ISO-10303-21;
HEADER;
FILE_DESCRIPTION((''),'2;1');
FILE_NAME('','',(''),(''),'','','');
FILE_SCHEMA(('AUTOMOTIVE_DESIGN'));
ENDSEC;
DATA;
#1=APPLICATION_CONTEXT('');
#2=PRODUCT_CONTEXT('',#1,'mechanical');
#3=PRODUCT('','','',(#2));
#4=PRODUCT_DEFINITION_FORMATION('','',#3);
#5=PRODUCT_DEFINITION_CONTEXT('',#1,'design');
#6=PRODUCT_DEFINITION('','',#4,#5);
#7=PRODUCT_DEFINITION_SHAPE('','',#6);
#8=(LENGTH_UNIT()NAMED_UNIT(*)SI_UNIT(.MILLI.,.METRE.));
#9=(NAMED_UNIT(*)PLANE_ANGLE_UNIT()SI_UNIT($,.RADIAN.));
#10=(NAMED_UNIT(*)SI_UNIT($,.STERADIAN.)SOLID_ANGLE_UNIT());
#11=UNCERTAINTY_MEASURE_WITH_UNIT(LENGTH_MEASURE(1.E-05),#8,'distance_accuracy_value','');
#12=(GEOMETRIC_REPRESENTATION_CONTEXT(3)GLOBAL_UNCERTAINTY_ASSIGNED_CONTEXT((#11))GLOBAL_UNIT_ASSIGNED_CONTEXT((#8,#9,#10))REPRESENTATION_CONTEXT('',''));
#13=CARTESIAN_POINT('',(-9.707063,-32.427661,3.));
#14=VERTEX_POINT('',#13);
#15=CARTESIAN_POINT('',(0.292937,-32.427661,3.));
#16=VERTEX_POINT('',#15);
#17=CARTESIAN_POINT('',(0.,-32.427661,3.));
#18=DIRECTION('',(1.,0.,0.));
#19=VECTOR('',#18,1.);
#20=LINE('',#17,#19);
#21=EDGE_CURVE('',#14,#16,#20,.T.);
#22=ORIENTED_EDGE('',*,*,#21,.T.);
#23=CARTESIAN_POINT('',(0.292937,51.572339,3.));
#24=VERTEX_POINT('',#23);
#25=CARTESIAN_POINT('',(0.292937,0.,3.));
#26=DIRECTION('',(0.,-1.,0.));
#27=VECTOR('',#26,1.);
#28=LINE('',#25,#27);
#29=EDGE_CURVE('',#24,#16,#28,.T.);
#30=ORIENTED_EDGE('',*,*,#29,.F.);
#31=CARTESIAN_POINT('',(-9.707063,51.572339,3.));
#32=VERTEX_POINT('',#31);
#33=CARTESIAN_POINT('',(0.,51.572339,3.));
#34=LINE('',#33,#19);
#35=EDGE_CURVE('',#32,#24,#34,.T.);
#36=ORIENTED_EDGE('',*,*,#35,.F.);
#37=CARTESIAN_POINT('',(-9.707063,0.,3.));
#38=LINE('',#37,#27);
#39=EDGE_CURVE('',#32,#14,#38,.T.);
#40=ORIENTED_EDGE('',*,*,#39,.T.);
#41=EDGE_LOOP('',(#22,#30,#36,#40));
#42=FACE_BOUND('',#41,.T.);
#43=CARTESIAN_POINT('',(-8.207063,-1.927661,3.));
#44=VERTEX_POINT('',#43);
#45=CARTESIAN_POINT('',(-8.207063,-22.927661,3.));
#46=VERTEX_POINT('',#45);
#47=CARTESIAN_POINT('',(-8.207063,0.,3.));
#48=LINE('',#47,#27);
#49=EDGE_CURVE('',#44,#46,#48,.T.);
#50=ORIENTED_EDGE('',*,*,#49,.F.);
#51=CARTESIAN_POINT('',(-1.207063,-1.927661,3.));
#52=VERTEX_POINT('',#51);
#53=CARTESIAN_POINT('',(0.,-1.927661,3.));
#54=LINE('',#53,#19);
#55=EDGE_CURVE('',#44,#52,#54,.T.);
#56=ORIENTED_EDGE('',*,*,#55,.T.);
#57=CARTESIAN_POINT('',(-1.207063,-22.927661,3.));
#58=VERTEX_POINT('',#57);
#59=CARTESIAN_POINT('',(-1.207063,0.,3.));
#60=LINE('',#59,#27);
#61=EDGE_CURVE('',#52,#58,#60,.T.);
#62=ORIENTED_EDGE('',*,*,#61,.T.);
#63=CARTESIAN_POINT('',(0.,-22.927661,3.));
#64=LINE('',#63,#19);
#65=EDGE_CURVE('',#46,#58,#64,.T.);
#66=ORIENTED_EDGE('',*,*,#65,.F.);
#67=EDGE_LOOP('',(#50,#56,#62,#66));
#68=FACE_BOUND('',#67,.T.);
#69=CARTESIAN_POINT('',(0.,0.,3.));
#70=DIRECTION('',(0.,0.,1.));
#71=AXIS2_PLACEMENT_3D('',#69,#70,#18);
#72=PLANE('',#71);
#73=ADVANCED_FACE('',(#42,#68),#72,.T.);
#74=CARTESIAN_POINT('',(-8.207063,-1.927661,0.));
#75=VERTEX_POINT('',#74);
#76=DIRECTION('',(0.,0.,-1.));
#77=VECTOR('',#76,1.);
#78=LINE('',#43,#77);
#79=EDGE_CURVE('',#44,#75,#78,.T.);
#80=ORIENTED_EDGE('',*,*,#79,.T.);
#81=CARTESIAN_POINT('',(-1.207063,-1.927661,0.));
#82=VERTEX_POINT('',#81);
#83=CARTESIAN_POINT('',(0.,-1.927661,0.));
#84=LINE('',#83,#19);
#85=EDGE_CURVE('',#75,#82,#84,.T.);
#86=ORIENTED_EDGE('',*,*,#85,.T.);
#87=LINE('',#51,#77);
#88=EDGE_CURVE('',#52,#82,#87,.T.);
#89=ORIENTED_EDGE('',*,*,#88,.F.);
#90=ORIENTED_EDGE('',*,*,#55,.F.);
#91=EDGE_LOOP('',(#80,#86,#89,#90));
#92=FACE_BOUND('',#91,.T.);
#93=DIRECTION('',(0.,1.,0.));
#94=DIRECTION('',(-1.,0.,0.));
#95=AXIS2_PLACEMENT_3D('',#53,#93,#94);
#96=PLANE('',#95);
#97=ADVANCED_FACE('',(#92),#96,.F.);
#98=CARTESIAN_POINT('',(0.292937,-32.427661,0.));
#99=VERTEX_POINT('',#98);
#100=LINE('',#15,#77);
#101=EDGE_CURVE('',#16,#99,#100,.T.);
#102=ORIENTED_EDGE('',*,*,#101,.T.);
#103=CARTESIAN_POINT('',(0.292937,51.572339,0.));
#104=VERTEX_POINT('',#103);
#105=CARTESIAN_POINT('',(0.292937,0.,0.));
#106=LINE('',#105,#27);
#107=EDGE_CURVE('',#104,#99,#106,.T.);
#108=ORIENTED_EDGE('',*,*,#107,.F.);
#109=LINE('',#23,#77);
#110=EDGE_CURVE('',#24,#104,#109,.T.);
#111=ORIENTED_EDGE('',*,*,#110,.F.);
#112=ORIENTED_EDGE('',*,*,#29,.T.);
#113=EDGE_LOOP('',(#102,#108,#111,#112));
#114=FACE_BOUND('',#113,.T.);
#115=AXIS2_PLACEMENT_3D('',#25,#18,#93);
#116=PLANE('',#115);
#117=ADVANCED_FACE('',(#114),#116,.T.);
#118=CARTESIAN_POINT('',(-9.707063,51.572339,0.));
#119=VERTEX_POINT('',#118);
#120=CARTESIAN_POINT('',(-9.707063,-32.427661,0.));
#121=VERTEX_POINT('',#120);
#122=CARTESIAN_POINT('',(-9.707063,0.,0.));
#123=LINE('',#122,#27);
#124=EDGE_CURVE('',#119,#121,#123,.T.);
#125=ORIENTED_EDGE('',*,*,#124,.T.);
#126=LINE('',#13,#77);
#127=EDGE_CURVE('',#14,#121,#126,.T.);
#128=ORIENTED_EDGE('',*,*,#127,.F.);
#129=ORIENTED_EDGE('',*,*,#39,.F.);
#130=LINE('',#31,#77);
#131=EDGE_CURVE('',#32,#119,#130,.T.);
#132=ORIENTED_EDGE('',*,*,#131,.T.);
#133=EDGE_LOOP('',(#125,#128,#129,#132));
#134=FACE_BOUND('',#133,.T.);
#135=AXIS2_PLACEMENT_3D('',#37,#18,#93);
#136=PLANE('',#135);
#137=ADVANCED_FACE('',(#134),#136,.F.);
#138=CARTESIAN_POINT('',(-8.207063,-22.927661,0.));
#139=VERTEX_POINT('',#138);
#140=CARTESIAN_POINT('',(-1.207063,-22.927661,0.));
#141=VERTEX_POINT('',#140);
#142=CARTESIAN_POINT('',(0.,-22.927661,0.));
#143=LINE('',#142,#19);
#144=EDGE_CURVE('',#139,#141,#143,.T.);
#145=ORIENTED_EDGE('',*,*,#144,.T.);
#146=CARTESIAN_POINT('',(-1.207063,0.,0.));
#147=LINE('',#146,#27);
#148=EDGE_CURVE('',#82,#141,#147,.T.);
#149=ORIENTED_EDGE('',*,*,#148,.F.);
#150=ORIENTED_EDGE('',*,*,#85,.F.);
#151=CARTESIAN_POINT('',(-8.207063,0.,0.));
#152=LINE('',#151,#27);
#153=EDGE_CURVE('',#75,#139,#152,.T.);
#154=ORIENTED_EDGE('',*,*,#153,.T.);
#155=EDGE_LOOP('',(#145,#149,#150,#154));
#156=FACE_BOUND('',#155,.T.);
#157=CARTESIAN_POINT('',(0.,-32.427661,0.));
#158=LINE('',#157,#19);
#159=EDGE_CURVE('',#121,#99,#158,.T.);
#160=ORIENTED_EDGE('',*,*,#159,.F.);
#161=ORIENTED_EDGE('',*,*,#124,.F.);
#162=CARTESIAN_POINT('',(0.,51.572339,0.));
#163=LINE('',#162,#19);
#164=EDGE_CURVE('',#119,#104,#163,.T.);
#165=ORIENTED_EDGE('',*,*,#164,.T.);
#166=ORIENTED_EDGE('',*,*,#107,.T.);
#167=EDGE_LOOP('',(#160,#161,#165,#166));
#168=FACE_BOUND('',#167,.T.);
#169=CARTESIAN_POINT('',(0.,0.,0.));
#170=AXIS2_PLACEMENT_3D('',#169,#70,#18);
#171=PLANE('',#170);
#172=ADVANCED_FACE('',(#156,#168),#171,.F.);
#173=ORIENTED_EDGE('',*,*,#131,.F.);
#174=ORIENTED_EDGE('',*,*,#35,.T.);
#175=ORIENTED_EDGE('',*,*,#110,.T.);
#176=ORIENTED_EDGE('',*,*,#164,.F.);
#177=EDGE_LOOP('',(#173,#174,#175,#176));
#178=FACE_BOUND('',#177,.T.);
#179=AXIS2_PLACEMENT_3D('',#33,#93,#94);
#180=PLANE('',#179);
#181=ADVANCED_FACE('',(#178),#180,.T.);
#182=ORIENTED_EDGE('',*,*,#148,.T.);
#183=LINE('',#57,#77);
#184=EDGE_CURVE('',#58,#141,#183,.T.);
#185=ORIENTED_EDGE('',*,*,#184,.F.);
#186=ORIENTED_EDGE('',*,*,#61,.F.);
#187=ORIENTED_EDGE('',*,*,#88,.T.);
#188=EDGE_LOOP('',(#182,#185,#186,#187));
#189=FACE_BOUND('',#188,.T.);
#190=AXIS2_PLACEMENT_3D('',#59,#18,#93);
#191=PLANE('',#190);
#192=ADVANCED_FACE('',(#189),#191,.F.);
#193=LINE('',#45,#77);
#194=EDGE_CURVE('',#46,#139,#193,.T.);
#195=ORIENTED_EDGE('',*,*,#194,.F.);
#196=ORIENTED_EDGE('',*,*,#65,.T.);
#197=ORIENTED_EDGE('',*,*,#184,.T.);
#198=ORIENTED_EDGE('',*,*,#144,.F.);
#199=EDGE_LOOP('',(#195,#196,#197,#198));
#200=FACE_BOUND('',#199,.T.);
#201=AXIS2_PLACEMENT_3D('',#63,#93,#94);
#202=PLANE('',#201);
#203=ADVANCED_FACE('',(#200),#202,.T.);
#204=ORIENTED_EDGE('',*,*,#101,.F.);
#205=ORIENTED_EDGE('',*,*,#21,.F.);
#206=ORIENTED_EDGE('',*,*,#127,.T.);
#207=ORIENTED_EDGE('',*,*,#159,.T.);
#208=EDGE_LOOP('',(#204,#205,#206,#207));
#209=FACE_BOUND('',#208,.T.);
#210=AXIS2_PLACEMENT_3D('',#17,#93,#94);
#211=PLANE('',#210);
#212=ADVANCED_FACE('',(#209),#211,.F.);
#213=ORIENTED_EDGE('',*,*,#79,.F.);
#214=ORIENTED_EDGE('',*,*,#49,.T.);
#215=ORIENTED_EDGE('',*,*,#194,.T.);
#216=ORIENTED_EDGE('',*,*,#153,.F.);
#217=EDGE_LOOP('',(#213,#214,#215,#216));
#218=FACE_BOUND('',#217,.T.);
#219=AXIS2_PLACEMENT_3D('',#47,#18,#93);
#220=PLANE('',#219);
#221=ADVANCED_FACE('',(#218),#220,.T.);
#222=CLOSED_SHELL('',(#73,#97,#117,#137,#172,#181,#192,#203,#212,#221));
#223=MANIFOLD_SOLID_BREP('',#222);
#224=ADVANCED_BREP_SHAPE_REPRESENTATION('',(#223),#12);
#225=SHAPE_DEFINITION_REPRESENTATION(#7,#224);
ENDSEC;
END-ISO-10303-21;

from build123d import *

# Parameters (mm, degrees)
ESBO_O1_W                = 10
ESBO_O1_H                = 9
ESBO_O1_H_2              = 66
ESBO_O1_W_2              = 7
ESBO_O1_H_3              = 21
RESSALTO_EXTRUS_O1_DEPTH = 3


with BuildPart() as part:
    # Esboço1 → Ressalto-extrusão1 (new body)
    with BuildSketch(Plane.XY):
        with Locations((-4.707063062, 47.072338936)):
            Rectangle(ESBO_O1_W, ESBO_O1_H)
        with Locations((-4.707063062, 9.572338936)):
            Rectangle(ESBO_O1_W, ESBO_O1_H_2)
        with Locations((-4.707063062, -12.427661064)):
            Rectangle(ESBO_O1_W_2, ESBO_O1_H_3, mode=Mode.SUBTRACT)
        with Locations((-4.707063062, -27.927661064)):
            Rectangle(ESBO_O1_W, ESBO_O1_H)
    extrude(amount=RESSALTO_EXTRUS_O1_DEPTH)


solid = part.part
